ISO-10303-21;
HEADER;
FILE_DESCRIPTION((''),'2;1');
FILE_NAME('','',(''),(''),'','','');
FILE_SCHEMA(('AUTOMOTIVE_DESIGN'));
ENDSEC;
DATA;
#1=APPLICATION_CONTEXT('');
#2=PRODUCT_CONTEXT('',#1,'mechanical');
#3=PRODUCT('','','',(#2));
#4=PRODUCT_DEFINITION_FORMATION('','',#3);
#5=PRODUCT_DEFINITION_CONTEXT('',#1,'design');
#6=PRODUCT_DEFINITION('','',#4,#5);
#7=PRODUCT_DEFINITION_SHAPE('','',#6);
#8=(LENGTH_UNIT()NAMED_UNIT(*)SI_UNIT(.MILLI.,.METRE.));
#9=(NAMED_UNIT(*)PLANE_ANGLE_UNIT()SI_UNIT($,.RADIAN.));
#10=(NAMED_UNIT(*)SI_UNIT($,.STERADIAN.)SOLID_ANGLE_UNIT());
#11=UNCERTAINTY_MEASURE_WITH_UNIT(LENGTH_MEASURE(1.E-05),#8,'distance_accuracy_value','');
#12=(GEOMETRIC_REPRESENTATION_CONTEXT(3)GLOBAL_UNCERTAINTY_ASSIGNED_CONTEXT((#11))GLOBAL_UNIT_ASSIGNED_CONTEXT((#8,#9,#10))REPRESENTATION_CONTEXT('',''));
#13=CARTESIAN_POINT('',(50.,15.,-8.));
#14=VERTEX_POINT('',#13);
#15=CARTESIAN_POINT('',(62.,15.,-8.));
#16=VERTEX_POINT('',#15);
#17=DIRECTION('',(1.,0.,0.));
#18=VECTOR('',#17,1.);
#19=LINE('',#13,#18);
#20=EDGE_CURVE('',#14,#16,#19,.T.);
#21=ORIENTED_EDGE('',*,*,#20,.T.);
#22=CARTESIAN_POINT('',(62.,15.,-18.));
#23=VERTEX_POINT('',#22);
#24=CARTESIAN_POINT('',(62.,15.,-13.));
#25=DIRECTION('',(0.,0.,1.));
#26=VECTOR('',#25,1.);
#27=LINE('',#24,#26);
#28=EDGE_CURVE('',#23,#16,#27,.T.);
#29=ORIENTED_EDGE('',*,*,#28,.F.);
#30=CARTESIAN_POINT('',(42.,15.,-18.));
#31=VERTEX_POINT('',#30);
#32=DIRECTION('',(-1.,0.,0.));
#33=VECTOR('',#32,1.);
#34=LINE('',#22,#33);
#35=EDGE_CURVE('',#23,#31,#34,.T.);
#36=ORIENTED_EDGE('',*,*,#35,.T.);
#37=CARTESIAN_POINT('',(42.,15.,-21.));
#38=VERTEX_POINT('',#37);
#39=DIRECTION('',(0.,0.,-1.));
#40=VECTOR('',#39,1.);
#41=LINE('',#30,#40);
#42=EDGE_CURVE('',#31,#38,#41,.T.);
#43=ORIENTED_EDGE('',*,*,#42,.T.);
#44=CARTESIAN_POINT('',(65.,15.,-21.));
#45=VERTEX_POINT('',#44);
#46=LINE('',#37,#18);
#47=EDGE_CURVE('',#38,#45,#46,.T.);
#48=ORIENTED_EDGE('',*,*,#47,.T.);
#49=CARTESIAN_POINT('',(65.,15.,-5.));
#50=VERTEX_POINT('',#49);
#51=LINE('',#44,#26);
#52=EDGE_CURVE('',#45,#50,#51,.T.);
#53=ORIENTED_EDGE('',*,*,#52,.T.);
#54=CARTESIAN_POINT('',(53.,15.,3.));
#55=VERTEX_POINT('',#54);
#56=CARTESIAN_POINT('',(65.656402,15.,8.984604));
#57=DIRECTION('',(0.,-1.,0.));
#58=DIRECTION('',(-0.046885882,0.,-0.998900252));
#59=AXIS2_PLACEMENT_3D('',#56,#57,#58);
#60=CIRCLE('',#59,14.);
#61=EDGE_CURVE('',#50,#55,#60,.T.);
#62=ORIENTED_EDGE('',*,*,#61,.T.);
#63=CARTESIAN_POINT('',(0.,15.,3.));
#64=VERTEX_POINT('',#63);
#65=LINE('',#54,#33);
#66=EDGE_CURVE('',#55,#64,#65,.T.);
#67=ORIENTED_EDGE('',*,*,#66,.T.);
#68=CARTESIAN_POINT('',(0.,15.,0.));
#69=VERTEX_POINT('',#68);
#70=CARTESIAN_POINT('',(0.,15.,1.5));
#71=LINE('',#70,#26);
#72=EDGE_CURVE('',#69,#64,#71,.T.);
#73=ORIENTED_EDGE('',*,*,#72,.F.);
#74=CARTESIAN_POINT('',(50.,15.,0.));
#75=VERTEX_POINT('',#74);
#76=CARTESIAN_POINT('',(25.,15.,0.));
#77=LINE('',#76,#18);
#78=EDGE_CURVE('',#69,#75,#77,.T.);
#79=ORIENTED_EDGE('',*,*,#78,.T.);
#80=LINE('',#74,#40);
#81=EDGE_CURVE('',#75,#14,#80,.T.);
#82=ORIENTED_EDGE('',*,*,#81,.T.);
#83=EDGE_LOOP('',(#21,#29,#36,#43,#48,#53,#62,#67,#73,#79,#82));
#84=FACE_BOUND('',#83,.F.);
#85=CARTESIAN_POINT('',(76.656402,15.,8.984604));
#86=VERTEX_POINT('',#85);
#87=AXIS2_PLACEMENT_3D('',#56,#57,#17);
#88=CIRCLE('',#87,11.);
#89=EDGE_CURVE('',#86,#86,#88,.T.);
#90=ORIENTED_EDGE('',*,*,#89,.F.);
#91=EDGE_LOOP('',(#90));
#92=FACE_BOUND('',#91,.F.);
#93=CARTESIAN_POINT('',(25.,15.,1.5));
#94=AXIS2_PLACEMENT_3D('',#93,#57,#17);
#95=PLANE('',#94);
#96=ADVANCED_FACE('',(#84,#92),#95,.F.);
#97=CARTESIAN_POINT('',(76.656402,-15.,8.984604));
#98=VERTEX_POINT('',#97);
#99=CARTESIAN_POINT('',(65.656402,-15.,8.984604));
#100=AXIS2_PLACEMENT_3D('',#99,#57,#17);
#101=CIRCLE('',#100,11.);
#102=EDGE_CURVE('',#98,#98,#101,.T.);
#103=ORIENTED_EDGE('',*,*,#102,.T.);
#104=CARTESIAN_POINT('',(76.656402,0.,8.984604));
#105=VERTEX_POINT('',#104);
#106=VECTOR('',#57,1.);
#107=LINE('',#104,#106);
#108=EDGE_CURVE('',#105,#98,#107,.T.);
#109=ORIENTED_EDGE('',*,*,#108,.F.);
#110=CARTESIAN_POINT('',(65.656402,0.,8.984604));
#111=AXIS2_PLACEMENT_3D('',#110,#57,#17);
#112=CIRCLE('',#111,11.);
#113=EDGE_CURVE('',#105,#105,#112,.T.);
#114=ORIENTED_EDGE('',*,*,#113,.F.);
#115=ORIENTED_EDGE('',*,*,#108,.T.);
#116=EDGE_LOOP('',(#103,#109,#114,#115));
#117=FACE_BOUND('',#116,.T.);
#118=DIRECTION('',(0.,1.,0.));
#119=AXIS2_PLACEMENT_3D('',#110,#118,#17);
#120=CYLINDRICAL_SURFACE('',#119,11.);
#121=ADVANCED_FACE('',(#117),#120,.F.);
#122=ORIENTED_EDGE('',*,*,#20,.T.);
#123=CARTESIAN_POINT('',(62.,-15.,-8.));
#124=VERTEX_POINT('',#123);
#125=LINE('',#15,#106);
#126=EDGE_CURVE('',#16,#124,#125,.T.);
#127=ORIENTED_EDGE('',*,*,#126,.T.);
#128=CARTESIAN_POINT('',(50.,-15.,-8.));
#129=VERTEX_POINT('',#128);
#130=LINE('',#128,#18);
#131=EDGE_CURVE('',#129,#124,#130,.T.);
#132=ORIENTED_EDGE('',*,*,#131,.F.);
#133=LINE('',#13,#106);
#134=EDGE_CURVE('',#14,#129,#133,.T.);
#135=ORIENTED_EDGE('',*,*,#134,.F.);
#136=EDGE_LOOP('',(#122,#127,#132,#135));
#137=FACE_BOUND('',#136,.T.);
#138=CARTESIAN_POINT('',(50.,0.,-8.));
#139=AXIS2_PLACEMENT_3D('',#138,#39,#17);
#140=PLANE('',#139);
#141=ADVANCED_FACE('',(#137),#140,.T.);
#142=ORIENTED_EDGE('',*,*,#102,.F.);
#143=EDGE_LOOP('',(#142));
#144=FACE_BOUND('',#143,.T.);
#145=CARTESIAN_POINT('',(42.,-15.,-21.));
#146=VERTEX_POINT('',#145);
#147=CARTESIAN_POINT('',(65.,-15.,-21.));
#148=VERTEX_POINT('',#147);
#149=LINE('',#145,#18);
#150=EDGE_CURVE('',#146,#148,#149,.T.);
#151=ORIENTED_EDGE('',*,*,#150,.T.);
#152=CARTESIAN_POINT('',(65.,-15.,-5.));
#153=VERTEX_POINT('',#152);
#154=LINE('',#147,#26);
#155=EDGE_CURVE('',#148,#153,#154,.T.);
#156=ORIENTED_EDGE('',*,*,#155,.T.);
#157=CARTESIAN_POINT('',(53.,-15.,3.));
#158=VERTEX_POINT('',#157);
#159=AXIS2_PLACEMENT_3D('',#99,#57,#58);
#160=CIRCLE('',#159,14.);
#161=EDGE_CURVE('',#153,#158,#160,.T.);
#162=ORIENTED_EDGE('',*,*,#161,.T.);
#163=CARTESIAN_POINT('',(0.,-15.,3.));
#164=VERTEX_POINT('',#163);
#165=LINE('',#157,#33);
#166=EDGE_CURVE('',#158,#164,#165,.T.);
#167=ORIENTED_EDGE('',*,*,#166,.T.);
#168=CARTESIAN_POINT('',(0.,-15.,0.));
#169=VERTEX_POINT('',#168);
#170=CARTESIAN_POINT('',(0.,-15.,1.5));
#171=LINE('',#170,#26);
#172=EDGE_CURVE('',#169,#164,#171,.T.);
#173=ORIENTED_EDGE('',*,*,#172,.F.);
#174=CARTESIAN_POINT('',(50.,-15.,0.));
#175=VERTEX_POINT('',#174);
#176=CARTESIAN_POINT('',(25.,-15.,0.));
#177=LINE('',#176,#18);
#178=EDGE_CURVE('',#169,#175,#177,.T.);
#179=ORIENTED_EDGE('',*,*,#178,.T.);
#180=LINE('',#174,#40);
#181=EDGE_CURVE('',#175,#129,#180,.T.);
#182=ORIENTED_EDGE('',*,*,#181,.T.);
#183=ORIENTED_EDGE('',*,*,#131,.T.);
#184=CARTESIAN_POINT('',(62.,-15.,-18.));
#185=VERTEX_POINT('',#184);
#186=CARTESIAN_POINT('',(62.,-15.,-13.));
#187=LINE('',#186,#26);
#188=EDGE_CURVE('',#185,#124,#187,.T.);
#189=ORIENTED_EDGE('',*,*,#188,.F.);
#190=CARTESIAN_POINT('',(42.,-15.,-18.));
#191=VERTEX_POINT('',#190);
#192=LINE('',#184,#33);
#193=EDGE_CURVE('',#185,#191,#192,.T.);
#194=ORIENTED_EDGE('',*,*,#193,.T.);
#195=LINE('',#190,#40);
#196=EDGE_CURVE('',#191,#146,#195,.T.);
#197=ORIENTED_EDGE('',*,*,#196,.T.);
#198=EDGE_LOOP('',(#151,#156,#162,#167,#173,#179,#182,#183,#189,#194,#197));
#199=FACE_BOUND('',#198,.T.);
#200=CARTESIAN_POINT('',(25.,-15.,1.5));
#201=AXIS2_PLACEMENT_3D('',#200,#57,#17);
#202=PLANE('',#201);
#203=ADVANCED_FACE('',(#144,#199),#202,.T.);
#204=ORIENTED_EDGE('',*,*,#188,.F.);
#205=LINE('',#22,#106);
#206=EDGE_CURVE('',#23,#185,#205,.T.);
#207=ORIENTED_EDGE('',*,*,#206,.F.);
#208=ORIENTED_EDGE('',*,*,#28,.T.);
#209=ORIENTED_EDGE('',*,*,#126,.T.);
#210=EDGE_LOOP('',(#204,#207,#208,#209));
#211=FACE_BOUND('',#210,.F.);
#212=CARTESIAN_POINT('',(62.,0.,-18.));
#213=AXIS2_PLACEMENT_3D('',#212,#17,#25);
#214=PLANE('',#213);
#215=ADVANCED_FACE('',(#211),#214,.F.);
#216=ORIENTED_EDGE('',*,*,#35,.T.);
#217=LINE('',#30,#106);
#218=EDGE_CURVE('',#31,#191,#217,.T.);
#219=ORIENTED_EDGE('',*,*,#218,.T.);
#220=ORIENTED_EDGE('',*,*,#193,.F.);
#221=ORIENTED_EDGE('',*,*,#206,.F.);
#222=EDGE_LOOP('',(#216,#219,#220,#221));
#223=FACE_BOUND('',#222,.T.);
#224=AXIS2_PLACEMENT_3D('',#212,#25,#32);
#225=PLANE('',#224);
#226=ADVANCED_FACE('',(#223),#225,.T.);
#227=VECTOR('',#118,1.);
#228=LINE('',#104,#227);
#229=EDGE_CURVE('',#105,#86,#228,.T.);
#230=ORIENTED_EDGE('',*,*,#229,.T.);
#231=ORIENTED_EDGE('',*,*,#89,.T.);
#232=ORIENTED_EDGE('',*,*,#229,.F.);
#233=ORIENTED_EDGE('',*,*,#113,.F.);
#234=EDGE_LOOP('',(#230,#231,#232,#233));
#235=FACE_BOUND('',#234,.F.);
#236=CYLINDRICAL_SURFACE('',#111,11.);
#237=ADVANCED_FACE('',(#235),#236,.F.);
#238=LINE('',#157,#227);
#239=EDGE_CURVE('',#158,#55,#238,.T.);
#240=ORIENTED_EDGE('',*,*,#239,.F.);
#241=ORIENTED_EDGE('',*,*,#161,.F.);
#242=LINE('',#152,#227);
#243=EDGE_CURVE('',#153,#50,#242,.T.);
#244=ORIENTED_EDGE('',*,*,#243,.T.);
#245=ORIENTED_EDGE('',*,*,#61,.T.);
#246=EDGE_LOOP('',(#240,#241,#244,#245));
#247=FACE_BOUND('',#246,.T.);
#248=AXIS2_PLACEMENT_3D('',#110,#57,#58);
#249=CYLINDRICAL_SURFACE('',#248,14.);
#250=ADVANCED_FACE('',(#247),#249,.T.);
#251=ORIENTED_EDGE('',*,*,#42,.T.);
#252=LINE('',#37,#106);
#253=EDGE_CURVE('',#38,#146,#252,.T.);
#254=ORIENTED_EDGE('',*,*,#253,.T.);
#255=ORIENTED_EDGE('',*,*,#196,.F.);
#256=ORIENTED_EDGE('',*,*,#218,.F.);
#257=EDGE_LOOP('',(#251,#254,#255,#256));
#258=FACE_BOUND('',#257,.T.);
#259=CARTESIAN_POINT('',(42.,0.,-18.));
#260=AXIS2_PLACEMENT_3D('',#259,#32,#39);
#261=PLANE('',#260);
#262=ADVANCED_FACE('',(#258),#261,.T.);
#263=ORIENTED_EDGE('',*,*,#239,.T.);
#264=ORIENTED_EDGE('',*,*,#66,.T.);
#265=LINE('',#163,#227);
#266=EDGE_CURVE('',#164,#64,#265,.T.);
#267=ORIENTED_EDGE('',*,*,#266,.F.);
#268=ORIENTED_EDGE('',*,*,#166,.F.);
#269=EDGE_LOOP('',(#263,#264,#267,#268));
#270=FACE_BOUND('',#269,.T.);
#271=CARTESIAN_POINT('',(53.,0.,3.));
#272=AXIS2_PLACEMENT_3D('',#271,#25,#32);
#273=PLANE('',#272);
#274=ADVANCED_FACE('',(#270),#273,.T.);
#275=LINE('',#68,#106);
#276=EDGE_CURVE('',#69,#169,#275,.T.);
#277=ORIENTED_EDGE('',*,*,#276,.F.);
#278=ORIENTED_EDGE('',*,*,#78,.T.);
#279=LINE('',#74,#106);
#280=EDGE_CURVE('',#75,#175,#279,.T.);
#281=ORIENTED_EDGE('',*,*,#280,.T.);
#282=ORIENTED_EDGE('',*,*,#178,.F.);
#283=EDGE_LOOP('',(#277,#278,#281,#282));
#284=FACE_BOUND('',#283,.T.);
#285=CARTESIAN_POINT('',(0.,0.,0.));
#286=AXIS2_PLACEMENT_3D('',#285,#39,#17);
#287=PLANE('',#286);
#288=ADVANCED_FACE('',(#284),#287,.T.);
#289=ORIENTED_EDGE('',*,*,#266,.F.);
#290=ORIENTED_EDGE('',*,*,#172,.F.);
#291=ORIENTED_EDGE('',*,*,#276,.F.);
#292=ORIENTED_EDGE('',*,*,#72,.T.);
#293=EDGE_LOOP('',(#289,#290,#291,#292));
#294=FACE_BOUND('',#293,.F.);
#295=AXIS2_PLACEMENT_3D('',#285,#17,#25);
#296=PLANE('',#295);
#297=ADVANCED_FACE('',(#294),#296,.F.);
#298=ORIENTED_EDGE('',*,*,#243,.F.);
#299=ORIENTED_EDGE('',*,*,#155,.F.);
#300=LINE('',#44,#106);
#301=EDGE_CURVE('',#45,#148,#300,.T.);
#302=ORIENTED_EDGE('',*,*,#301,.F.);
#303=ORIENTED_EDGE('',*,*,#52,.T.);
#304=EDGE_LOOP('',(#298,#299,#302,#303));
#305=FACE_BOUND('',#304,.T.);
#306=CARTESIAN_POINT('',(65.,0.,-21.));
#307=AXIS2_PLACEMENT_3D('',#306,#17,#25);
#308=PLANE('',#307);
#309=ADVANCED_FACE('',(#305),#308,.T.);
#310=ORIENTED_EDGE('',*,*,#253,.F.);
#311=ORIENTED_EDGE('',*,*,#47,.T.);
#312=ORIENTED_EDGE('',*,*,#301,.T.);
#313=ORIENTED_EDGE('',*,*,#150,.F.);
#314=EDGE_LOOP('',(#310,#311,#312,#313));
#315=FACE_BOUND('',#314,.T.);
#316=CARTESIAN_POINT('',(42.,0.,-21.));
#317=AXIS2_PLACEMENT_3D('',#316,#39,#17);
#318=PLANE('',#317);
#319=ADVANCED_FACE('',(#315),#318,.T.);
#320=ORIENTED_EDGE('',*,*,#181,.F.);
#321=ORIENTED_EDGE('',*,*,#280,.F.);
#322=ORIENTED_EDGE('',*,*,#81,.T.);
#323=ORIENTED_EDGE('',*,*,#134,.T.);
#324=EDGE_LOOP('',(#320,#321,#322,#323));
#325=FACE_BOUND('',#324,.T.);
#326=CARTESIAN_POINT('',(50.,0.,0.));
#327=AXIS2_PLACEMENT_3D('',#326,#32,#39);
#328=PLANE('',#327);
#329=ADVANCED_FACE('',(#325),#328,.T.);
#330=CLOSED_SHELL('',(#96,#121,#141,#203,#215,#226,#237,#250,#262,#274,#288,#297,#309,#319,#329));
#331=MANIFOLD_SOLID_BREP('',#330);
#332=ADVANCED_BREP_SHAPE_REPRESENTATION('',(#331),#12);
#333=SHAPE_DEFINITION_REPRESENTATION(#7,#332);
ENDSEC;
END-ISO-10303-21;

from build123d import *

# Parameters (mm, degrees)
F0_W          = 50
F0_H          = 3
F0_W_2        = 3
F0_R          = 11
F0_W_3        = 9
F0_H_2        = 10
F1_DEPTH      = 15
F1_DEPTH_BACK = 15


with BuildPart() as f1:
    # F0 (on Front) → F1 (new body, two sides)
    with BuildSketch(Plane.XZ) as f1_sk:
        with Locations((25, 1.5)):
            Rectangle(F0_W, F0_H)
        Polygon((50, 3), (50, 0), (50, -5), (53, -5), (53, 3), align=None)
        with Locations((51.5, -6.5)):
            Rectangle(F0_W_2, F0_H)
        with BuildLine():
            ThreePointArc((65, -5), (57.8905996075, -2.6641005887), (53, 3))
            Line((53, 3), (53, -5))
            Line((53, -5), (62, -5))
            Line((62, -5), (65, -5))
        make_face()
        with BuildLine():
            ThreePointArc((79.6564023547, 8.9846035321), (62.5896151894, 22.6445748528), (53, 3))
            ThreePointArc((53, 3), (57.8905996075, -2.6641005887), (65, -5))
            ThreePointArc((65, -5), (75.3210380704, -1.1443064035), (79.6564023547, 8.9846035321))
        make_face()
        with Locations((65.6564023547, 8.9846035321)):
            Circle(F0_R, mode=Mode.SUBTRACT)
        with Locations((57.5, -6.5)):
            Rectangle(F0_W_3, F0_H)
        with Locations((63.5, -6.5)):
            Rectangle(F0_W_2, F0_H)
        with Locations((63.5, -13)):
            Rectangle(F0_W_2, F0_H_2)
        Polygon((65, -21), (65, -18), (62, -18), (42, -18), (42, -21), align=None)
    extrude(amount=F1_DEPTH)
    extrude(f1_sk.sketch, amount=-F1_DEPTH_BACK)


solid = f1.part
